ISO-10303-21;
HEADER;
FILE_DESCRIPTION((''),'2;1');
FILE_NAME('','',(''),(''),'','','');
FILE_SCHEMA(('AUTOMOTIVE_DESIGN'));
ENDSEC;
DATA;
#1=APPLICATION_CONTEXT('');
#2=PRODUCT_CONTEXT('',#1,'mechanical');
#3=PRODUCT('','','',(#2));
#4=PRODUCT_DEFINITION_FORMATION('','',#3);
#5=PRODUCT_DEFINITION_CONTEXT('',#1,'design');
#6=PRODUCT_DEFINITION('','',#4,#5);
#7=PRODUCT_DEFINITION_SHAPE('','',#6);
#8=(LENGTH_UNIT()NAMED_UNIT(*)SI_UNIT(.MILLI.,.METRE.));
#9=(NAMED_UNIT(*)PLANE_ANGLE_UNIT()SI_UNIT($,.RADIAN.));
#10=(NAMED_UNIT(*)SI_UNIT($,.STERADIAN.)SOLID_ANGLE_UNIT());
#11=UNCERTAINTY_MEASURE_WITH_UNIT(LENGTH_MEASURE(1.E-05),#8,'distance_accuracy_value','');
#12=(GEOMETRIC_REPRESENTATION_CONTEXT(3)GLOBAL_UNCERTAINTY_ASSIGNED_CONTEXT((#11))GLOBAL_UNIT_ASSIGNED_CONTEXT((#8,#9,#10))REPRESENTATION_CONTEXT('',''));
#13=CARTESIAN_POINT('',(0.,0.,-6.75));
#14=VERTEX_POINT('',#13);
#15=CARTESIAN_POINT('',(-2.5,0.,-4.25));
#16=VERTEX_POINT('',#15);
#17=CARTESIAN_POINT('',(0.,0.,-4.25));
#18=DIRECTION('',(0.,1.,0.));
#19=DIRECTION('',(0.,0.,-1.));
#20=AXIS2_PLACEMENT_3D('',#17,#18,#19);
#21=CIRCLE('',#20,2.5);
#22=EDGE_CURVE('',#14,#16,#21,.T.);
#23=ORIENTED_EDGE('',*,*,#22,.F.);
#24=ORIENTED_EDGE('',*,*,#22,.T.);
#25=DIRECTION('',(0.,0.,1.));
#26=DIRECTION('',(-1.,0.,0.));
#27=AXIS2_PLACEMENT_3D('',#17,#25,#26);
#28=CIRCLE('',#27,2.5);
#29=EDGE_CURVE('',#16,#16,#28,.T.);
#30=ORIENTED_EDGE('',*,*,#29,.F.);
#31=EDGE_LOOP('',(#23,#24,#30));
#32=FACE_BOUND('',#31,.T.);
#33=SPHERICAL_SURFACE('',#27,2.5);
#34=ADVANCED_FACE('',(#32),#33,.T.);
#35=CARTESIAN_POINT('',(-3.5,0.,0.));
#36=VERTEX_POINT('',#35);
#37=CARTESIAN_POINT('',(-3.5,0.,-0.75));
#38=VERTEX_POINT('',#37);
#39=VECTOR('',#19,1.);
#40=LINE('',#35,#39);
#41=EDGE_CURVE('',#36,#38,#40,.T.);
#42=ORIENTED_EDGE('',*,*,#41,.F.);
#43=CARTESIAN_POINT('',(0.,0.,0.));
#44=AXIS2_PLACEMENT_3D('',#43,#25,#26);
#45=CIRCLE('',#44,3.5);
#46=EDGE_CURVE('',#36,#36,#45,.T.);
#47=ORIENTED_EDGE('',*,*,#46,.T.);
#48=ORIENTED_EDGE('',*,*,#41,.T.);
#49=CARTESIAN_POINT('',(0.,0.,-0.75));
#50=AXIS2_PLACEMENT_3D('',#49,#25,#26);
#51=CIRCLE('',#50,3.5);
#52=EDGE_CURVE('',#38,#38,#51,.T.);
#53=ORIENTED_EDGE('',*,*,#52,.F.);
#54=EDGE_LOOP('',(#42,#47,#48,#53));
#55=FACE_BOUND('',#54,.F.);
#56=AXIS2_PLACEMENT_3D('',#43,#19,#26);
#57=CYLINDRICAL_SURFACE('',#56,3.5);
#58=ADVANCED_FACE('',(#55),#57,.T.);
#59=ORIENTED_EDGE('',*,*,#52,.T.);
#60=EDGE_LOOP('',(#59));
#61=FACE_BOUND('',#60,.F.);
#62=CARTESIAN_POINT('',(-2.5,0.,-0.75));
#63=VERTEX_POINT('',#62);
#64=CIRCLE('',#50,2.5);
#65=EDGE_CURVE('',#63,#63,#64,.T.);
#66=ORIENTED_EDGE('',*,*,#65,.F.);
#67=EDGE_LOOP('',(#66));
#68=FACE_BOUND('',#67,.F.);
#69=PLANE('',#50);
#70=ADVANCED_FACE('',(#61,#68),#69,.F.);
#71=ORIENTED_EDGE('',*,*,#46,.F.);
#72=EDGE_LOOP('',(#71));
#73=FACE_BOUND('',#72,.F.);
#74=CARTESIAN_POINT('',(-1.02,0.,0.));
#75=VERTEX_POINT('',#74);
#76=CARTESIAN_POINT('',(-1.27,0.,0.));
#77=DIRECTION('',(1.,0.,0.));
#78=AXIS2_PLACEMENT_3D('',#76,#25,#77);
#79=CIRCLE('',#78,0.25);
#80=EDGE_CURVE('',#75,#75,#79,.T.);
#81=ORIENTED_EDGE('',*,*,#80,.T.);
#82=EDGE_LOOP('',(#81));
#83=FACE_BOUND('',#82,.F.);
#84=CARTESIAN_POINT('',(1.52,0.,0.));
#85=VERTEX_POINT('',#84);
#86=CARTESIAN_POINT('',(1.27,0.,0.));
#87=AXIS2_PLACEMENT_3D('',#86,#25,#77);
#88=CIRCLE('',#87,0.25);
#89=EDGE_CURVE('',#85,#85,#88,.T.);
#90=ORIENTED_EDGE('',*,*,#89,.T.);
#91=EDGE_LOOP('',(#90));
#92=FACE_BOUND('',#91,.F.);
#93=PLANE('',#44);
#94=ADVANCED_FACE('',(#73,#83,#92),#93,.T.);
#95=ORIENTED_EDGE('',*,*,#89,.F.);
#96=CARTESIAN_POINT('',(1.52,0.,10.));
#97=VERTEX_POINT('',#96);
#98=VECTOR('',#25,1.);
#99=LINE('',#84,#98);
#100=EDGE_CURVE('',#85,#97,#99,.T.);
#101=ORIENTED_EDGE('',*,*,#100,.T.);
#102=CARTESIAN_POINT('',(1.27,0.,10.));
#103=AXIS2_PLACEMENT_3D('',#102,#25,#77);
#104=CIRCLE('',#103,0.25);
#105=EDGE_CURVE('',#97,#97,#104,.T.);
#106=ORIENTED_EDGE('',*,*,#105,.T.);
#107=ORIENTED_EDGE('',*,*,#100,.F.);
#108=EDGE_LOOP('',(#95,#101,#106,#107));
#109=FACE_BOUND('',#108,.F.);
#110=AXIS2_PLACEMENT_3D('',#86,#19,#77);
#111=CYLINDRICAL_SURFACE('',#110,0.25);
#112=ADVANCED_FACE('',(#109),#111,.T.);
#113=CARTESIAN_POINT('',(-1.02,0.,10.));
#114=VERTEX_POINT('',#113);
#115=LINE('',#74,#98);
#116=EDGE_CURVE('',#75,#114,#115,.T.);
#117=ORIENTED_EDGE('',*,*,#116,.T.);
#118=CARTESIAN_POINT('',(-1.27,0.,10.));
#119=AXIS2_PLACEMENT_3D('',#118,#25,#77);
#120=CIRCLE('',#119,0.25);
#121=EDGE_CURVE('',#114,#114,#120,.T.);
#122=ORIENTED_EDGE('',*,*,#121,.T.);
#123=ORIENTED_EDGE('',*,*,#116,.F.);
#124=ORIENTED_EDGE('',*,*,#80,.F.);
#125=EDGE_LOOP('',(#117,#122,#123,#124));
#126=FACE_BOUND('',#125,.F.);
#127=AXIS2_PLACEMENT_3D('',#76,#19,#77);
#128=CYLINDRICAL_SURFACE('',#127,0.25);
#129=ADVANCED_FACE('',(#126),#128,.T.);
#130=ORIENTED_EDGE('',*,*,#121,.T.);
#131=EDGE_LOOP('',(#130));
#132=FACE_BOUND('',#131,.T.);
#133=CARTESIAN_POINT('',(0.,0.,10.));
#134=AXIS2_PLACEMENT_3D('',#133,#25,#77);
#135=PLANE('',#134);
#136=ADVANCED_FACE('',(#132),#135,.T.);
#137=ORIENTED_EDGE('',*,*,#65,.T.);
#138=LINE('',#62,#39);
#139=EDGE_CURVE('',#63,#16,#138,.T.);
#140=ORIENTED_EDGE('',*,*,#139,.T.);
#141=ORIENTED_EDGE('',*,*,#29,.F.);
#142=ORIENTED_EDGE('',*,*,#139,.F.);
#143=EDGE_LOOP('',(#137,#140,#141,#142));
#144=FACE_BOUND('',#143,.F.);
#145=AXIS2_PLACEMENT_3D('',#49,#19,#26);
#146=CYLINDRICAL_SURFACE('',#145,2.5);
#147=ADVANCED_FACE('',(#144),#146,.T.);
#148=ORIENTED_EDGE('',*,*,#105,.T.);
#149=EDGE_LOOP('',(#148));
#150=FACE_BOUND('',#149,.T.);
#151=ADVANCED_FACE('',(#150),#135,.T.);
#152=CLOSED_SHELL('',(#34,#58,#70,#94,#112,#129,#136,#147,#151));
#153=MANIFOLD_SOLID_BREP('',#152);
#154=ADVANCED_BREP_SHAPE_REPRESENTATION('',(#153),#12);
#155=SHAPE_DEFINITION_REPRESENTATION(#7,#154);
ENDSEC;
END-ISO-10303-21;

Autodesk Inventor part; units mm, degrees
ref_plane "YZ Plane" through (0, 0, 0) normal (1, 0, 0) x (0, 1, 0)
ref_plane "XZ Plane" through (0, 0, 0) normal (0, 1, 0) x (-1, 0, 0)
ref_plane "XY Plane" through (0, 0, 0) normal (0, 0, 1) x (1, 0, 0)
sketch "Skizze1" plane through (0, 0, 0) normal (0, 1, 0) x (-1, 0, 0)
  line L0 (0, 0) -> (3.5, 0)
  line L1 (3.5, 0) -> (3.5, -0.75)
  line L2 (3.5, -0.75) -> (2.5, -0.75)
  line L3 (2.5, -0.75) -> (2.5, -4.25)
  line L4 (0, -6.75) -> (0, -6.75)
  line L5 (0, -6.75) -> (0, 0)
  arc A0 (0, -6.75) -> (2.5, -4.25) centre (0, -4.25) ccw
  point P0 (2.5, -6.75)
  dimension "d6" = 3.5
  dimension "d7" = 0.75
  dimension "d8" = 1
  dimension "d9" = 6
  dimension "d10" = 2.5
revolve "Umdrehung1" add sketch "Skizze1" angle 360 about axis through (0, 0, -6.75) along (0, 0, 1)
sketch "Skizze2" plane through (0, 0, 0) normal (0, 0, 1) x (1, 0, 0)
  circle A0 centre (0, 0) radius 3.5 projected
  circle A1 centre (0, 0) radius 3.5 projected
  circle A2 centre (-1.27, 0) radius 0.25
  circle A3 centre (1.27, 0) radius 0.25
  point P0 (0, 0)
  dimension "d11" = 0.5
  dimension "d12" = 0.5
  dimension "d13" = 1.27
  dimension "d14" = 1.27
extrude "Extrusion1" add sketch "Skizze2" along normal blind 10 contours A2 | A3
properties part number "licht_led_blau"
